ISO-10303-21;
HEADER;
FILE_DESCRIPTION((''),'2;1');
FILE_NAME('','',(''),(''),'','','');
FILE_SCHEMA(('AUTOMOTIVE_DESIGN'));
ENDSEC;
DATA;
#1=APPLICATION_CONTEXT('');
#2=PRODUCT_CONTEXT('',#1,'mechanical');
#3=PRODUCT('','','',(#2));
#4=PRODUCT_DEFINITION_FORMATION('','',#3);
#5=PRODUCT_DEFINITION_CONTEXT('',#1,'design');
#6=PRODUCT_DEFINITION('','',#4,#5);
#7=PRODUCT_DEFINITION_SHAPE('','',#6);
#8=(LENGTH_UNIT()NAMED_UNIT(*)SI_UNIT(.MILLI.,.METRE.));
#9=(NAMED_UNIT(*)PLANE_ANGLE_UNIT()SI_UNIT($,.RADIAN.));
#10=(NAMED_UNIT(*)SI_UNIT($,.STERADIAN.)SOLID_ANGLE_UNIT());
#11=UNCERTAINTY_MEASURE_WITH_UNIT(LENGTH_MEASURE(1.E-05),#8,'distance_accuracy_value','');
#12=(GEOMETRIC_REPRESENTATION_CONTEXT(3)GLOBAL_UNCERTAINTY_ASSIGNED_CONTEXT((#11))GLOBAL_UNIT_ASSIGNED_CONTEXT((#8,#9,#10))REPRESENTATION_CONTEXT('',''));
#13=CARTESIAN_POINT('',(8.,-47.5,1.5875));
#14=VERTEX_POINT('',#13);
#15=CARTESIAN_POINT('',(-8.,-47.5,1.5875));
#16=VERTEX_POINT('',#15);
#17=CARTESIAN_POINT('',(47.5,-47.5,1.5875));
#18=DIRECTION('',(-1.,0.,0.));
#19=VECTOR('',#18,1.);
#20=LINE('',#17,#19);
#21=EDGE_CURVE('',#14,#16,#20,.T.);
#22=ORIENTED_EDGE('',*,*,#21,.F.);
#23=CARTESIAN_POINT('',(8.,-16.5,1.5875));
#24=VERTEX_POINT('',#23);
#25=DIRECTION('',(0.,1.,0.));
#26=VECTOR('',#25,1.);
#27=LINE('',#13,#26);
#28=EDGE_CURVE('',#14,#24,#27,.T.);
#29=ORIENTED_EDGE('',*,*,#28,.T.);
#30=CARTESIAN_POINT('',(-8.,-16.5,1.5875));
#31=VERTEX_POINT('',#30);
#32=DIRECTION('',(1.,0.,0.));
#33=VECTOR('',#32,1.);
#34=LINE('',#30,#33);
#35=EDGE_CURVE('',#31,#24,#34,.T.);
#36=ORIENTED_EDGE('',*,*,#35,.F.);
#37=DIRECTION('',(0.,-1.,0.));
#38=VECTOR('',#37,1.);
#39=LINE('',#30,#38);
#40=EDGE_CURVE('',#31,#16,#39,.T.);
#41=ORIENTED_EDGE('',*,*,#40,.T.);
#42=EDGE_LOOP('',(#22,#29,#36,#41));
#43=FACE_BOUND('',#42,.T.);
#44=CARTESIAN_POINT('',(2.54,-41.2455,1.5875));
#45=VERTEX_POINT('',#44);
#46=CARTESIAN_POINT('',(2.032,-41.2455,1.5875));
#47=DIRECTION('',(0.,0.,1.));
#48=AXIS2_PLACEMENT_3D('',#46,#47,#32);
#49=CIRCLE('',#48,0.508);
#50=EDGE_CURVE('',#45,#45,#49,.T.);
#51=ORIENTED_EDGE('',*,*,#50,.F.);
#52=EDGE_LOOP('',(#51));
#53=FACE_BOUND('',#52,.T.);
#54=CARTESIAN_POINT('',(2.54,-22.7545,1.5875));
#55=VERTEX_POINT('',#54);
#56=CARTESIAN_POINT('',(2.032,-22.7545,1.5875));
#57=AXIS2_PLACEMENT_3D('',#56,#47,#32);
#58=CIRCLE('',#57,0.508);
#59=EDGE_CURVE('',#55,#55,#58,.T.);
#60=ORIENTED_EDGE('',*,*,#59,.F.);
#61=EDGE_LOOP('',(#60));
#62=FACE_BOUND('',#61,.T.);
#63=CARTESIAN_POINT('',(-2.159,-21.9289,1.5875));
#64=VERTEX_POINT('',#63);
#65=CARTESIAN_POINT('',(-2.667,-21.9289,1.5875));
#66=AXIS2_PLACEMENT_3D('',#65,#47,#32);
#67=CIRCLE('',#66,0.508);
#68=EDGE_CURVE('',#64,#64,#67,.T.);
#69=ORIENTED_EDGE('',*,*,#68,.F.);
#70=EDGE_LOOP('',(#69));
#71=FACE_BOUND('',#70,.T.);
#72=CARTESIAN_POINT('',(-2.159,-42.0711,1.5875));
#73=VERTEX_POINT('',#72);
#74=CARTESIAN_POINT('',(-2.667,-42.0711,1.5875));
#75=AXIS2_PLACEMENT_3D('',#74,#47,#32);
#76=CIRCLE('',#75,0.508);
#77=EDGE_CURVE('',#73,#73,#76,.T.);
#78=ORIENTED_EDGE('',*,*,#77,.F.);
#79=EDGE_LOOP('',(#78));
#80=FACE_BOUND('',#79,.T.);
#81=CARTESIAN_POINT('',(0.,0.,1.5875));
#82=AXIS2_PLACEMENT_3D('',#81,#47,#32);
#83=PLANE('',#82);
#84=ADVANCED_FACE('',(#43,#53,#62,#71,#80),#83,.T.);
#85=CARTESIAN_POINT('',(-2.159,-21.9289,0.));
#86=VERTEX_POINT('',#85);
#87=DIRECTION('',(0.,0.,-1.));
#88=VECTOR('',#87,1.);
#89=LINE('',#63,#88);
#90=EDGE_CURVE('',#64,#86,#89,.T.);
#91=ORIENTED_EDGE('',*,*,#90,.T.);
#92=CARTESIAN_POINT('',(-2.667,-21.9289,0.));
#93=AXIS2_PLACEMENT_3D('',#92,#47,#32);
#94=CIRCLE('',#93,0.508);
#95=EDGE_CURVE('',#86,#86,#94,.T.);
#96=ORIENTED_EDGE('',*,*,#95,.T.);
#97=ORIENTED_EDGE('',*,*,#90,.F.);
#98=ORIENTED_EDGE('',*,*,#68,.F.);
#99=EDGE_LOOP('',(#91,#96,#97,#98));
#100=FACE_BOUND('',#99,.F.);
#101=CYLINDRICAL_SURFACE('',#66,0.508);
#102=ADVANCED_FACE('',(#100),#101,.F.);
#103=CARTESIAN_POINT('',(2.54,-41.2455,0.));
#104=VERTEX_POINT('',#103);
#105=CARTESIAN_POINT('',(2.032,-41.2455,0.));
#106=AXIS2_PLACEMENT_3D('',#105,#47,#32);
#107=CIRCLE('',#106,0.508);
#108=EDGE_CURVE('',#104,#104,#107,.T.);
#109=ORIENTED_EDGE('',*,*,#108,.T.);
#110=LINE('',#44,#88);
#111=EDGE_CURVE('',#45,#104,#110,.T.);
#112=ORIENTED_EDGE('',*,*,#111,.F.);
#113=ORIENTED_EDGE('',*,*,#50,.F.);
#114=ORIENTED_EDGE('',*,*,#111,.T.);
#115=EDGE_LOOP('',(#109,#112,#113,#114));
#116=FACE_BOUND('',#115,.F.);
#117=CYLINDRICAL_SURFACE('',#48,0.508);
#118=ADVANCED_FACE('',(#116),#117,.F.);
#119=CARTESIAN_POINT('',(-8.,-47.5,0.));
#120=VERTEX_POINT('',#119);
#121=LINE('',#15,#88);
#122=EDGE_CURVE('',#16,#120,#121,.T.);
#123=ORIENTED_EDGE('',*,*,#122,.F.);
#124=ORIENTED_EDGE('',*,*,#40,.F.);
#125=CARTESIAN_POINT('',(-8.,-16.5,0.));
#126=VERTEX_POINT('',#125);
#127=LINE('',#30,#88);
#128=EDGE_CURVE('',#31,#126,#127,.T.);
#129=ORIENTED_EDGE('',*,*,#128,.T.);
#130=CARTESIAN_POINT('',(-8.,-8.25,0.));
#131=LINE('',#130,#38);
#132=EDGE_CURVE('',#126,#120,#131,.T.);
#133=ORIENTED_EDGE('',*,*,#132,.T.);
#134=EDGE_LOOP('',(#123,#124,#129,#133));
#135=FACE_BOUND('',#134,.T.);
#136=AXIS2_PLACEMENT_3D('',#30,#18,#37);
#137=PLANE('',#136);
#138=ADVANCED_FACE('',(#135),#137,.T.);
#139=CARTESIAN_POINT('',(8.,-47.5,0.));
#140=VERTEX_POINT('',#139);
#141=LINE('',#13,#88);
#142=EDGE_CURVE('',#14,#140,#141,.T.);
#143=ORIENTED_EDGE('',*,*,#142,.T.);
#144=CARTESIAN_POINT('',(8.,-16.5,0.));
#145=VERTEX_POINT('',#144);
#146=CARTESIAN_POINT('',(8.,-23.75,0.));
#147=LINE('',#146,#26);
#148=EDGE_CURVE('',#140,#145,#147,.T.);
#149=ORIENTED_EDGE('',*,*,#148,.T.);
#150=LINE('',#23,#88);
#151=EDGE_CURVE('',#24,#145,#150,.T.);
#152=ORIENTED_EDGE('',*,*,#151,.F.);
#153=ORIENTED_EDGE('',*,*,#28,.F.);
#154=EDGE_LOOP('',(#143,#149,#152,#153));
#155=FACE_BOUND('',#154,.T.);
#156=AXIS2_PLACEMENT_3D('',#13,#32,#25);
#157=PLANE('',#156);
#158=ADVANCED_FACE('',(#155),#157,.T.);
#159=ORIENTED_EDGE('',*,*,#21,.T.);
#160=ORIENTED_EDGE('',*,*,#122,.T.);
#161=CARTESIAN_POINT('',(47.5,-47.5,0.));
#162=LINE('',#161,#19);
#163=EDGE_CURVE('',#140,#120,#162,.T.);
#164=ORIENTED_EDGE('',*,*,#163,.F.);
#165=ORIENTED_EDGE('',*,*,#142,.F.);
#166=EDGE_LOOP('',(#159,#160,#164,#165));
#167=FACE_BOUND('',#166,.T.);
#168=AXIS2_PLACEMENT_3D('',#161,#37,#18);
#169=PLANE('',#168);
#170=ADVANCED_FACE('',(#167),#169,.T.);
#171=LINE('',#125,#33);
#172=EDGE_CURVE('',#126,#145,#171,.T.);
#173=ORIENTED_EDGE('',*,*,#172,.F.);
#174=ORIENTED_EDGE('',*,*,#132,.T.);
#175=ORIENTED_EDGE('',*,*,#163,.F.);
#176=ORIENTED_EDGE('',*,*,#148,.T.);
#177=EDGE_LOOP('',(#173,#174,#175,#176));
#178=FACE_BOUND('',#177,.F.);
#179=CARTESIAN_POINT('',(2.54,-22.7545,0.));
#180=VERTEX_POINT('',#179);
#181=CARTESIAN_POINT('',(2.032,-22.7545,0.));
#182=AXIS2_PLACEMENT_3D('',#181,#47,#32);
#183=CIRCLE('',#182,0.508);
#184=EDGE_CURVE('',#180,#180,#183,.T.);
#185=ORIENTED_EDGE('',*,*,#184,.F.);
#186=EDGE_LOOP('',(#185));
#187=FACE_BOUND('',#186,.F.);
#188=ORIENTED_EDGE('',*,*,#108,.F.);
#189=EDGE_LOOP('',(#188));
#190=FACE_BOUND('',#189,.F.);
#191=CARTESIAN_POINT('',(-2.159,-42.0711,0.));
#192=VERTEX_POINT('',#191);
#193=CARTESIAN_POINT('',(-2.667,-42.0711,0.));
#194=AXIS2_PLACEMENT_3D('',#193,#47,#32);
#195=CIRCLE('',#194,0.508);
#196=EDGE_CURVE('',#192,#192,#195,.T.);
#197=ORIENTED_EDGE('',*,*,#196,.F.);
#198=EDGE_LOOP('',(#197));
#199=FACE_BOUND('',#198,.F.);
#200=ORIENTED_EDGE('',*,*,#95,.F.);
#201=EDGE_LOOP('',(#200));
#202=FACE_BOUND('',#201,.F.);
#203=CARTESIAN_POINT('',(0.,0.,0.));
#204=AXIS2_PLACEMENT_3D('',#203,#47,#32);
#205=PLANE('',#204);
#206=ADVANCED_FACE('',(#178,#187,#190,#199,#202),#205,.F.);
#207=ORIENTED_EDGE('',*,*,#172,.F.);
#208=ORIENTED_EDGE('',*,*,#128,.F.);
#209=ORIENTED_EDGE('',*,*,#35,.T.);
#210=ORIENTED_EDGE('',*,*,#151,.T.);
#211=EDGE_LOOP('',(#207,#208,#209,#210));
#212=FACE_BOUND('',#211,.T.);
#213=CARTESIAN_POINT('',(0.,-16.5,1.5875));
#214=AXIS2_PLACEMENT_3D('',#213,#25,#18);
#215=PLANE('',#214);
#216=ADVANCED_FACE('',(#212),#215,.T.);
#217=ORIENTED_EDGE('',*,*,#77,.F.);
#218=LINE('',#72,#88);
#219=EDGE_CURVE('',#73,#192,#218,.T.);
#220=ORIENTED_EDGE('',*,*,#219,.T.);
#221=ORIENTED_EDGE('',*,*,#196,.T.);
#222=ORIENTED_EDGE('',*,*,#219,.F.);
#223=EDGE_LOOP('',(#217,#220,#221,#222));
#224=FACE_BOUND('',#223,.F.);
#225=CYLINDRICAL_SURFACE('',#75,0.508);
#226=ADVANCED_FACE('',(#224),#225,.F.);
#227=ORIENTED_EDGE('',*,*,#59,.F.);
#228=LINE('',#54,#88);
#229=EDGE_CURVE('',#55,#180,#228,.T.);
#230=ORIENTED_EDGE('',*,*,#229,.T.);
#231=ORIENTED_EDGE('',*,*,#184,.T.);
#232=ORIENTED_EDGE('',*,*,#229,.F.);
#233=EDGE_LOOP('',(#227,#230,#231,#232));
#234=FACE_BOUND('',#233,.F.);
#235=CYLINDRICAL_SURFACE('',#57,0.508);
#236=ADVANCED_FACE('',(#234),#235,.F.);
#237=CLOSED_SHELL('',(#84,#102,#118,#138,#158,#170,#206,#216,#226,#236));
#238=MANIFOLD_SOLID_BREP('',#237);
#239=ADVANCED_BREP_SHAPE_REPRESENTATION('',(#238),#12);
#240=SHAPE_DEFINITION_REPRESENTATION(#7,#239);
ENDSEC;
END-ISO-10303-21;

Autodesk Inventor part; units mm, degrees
sketch "AL_spacer_contact_Zminus" plane through (0, 0, 0) normal (0, 0, 1) x (1, 0, 0)
  circle A0 centre (39.5, 39.5) radius 3.175
  circle A1 centre (39.5, -39.5) radius 3.175
  circle A2 centre (-39.5, -39.5) radius 3.175
  circle A3 centre (-39.5, 39.5) radius 3.175
  point P0 (0, 0)
  dimension "d228" = 39.5
  dimension "d229" = 39.5
  dimension "d230" = 39.5
  dimension "d231" = 39.5
  dimension "d232" = 39.5
  dimension "d233" = 39.5
  dimension "d234" = 39.5
  dimension "d235" = 39.5
  dimension "d236" = 6.35
sketch "Delrin_stayout_Zminus" plane through (0, 0, 0) normal (0, 0, 1) x (1, 0, 0)
  line L0 (47.5, 39.5) -> (47.5, 31)
  line L1 (47.5, 31) -> (39.5, 31)
  line L2 (39.5, 31) -> (31, 39.5)
  line L3 (31, 39.5) -> (31, 47.5)
  line L4 (31, 47.5) -> (39.5, 47.5)
  line L5 (39.5, 47.5) -> (47.5, 39.5)
  line L6 (-39.5, 47.5) -> (-47.5, 39.5)
  line L7 (-47.5, 39.5) -> (-47.5, 31)
  line L8 (-47.5, 31) -> (-39.5, 31)
  line L9 (-39.5, 31) -> (-31, 39.5)
  line L10 (-31, 39.5) -> (-31, 47.5)
  line L11 (-31, 47.5) -> (-39.5, 47.5)
  line L12 (47.5, -39.5) -> (39.5, -47.5)
  line L13 (39.5, -47.5) -> (31, -47.5)
  line L14 (31, -47.5) -> (31, -39.5)
  line L15 (31, -39.5) -> (39.5, -31)
  line L16 (39.5, -31) -> (47.5, -31)
  line L17 (47.5, -31) -> (47.5, -39.5)
  line L18 (-39.5, -47.5) -> (-47.5, -39.5)
  line L19 (-47.5, -39.5) -> (-47.5, -31)
  line L20 (-47.5, -31) -> (-39.5, -31)
  line L21 (-39.5, -31) -> (-31, -39.5)
  line L22 (-31, -39.5) -> (-31, -47.5)
  line L23 (-31, -47.5) -> (-39.5, -47.5)
  point P0 (0, 0)
  dimension "d243" = 16.5
  dimension "d244" = 8
  dimension "d245" = 8.5
  dimension "d246" = 16.5
  dimension "d247" = 47.5
  dimension "d248" = 47.5
  dimension "d249" = 47.5
  dimension "d250" = 47.5
  dimension "d251" = 47.5
  dimension "d252" = 47.5
  dimension "d253" = 47.5
  dimension "d254" = 47.5
sketch "Nub_stayout_Zminus" plane through (0, 0, 0) normal (0, 0, 1) x (1, 0, 0)
  line L0 (29, 47.5) -> (39.5, 47.5)
  line L1 (39.5, 47.5) -> (47.5, 39.5)
  line L2 (47.5, 39.5) -> (47.5, 29)
  line L3 (47.5, 29) -> (42, 29)
  line L4 (42, 29) -> (42, 40.4125)
  line L5 (40.4125, 42) -> (29, 42)
  line L6 (29, 42) -> (29, 47.5)
  arc A0 (42, 40.4125) -> (40.4125, 42) centre (40.4125, 40.4125) ccw
  line L7 (-29, 47.5) -> (-39.5, 47.5)
  line L8 (-39.5, 47.5) -> (-47.5, 39.5)
  line L9 (-47.5, 39.5) -> (-47.5, 29)
  line L10 (-47.5, 29) -> (-42, 29)
  line L11 (-42, 29) -> (-42, 40.4125)
  line L12 (-40.4125, 42) -> (-29, 42)
  line L13 (-29, 42) -> (-29, 47.5)
  arc A1 (-40.4125, 42) -> (-42, 40.4125) centre (-40.4125, 40.4125) ccw
  line L14 (-47.5, -29) -> (-42, -29)
  line L15 (-42, -29) -> (-42, -40.4125)
  line L16 (-40.4125, -42) -> (-29, -42)
  line L17 (-29, -42) -> (-29, -47.5)
  line L18 (-29, -47.5) -> (-39.5, -47.5)
  line L19 (-39.5, -47.5) -> (-47.5, -39.5)
  line L20 (-47.5, -39.5) -> (-47.5, -29)
  arc A2 (-42, -40.4125) -> (-40.4125, -42) centre (-40.4125, -40.4125) ccw
  line L21 (47.5, -29) -> (42, -29)
  line L22 (42, -29) -> (42, -40.4125)
  line L23 (40.4125, -42) -> (29, -42)
  line L24 (29, -42) -> (29, -47.5)
  line L25 (29, -47.5) -> (39.5, -47.5)
  line L26 (39.5, -47.5) -> (47.5, -39.5)
  line L27 (47.5, -39.5) -> (47.5, -29)
  arc A3 (40.4125, -42) -> (42, -40.4125) centre (40.4125, -40.4125) ccw
  point P0 (0, 0)
  dimension "d255" = 1.5875
  dimension "d256" = 18.5
  dimension "d257" = 8
  dimension "d258" = 5.5
  dimension "d259" = 47.5
  dimension "d260" = 47.5
  dimension "d264" = 1.5875
  dimension "d265" = 47.5
  dimension "d266" = 47.5
  dimension "d267" = 1.5875
  dimension "d268" = 47.5
  dimension "d269" = 47.5
  dimension "d270" = 1.5875
  dimension "d271" = 47.5
  dimension "d272" = 47.5
ref_plane "Zplus_face" through (0, 0, 1.5875) normal (0, 0, 1) x (1, 0, 0)
sketch "AL_spacer_contact_Zplus" plane through (0, 0, 1.5875) normal (0, 0, 1) x (1, 0, 0)
  circle A0 centre (-39.5, 39.5) radius 3.175
  circle A1 centre (-39.5, -39.5) radius 3.175
  circle A2 centre (39.5, -39.5) radius 3.175
  circle A3 centre (39.5, 39.5) radius 3.175
  point P0 (0, 0)
  dimension "d129" = 39.5
  dimension "d130" = 39.5
  dimension "d131" = 39.5
  dimension "d132" = 39.5
  dimension "d133" = 6.35
sketch "Delrin_stayout_Zplus" plane through (0, 0, 1.5875) normal (0, 0, 1) x (1, 0, 0)
  line L0 (47.5, -31) -> (47.5, -39.5)
  line L1 (47.5, -39.5) -> (39.5, -47.5)
  line L2 (39.5, -47.5) -> (31, -47.5)
  line L3 (31, -47.5) -> (31, -39.5)
  line L4 (31, -39.5) -> (39.5, -31)
  line L5 (39.5, -31) -> (47.5, -31)
  line L6 (47.5, 31) -> (47.5, 39.5)
  line L7 (47.5, 39.5) -> (39.5, 47.5)
  line L8 (39.5, 47.5) -> (31, 47.5)
  line L9 (31, 47.5) -> (31, 39.5)
  line L10 (31, 39.5) -> (39.5, 31)
  line L11 (39.5, 31) -> (47.5, 31)
  line L12 (-39.5, 47.5) -> (-47.5, 39.5)
  line L13 (-47.5, 39.5) -> (-47.5, 31)
  line L14 (-47.5, 31) -> (-39.5, 31)
  line L15 (-39.5, 31) -> (-31, 39.5)
  line L16 (-31, 39.5) -> (-31, 47.5)
  line L17 (-31, 47.5) -> (-39.5, 47.5)
  line L18 (-47.5, -39.5) -> (-39.5, -47.5)
  line L19 (-39.5, -47.5) -> (-31, -47.5)
  line L20 (-31, -47.5) -> (-31, -39.5)
  line L21 (-31, -39.5) -> (-39.5, -31)
  line L22 (-39.5, -31) -> (-47.5, -31)
  line L23 (-47.5, -31) -> (-47.5, -39.5)
  point P0 (0, 0)
  dimension "d115" = 16.5
  dimension "d116" = 16.5
  dimension "d117" = 8
  dimension "d118" = 8.5
  dimension "d121" = 47.5
  dimension "d122" = 47.5
  dimension "d123" = 47.5
  dimension "d124" = 47.5
  dimension "d125" = 47.5
  dimension "d126" = 47.5
  dimension "d127" = 47.5
  dimension "d128" = 47.5
sketch "Nub_stayout_Zplus" plane through (0, 0, 1.5875) normal (0, 0, 1) x (1, 0, 0)
  line L0 (47.5, 29) -> (42, 29)
  line L1 (42, 29) -> (42, 40.4125)
  line L2 (40.4125, 42) -> (29, 42)
  line L3 (29, 42) -> (29, 47.5)
  arc A0 (42, 40.4125) -> (40.4125, 42) centre (40.4125, 40.4125) ccw
  line L4 (29, 47.5) -> (39.5, 47.5)
  line L5 (39.5, 47.5) -> (47.5, 39.5)
  line L6 (47.5, 39.5) -> (47.5, 29)
  line L7 (-39.5, 47.5) -> (-29, 47.5)
  line L8 (-29, 47.5) -> (-29, 42)
  line L9 (-29, 42) -> (-40.4125, 42)
  line L10 (-42, 40.4125) -> (-42, 29)
  line L11 (-42, 29) -> (-47.5, 29)
  line L12 (-47.5, 29) -> (-47.5, 39.5)
  line L13 (-47.5, 39.5) -> (-39.5, 47.5)
  arc A1 (-40.4125, 42) -> (-42, 40.4125) centre (-40.4125, 40.4125) ccw
  line L14 (-47.5, -29) -> (-47.5, -39.5)
  line L15 (-47.5, -39.5) -> (-39.5, -47.5)
  line L16 (-39.5, -47.5) -> (-29, -47.5)
  line L17 (-29, -47.5) -> (-29, -42)
  line L18 (-29, -42) -> (-40.4125, -42)
  line L19 (-42, -40.4125) -> (-42, -29)
  line L20 (-42, -29) -> (-47.5, -29)
  arc A2 (-42, -40.4125) -> (-40.4125, -42) centre (-40.4125, -40.4125) ccw
  line L21 (29, -47.5) -> (39.5, -47.5)
  line L22 (39.5, -47.5) -> (47.5, -39.5)
  line L23 (47.5, -39.5) -> (47.5, -29)
  line L24 (47.5, -29) -> (42, -29)
  line L25 (42, -29) -> (42, -40.4125)
  line L26 (40.4125, -42) -> (29, -42)
  line L27 (29, -42) -> (29, -47.5)
  arc A3 (40.4125, -42) -> (42, -40.4125) centre (40.4125, -40.4125) ccw
  point P0 (0, 0)
  dimension "d146" = 1.5875
  dimension "d147" = 5.5
  dimension "d149" = 18.5
  dimension "d150" = 8
  dimension "d151" = 47.5
  dimension "d152" = 47.5
  dimension "d153" = 1.5875
  dimension "d154" = 47.5
  dimension "d155" = 47.5
  dimension "d156" = 1.5875
  dimension "d157" = 47.5
  dimension "d158" = 47.5
  dimension "d159" = 1.5875
  dimension "d160" = 47.5
  dimension "d161" = 47.5
sketch "Sketch1" plane through (0, 0, 0) normal (0, 0, 1) x (1, 0, 0)
  line L0 (-47.5, 47.5) -> (47.5, 47.5)
  line L1 (47.5, 47.5) -> (47.5, -47.5)
  line L2 (47.5, -47.5) -> (-47.5, -47.5)
  line L3 (-47.5, -47.5) -> (-47.5, 47.5)
  point P0 (0, 0)
  dimension "d0" = 95
  dimension "d1" = 95
  dimension "d2" = 47.5
  dimension "d3" = 47.5
extrude "Extrusion1" add sketch "Sketch1" along normal blind 1.5875
chamfer "Chamfer2" distance 11 angle 45 4 edges at (-47.5, -47.5, 0.7937) (47.5, -47.5, 0.7937) (47.5, 47.5, 0.7937) (-47.5, 47.5, 0.7937)
ref_plane "Work Plane_ConnX" through (-32, 0, 0) normal (1, 0, 0) x (0, 1, 0)
ref_plane "Work Plane_ConnY" through (0, 0, 0) normal (0, 1, 0) x (-1, 0, 0)
sketch "Sketch9" plane through (0, 0, 1.5875) normal (0, 0, 1) x (1, 0, 0)
  line L0 (47.5, 47.5) -> (47.5, -47.5) projected
  line L1 (58.5598, -32) -> (-58.5598, -32)
  circle A0 centre (-2.667, -21.9289) radius 0.508
  circle A1 centre (-2.667, -42.0711) radius 0.508
  line L2 (0, 26.5598) -> (0, -90.5598) construction
  point P0 (0, 0)
  point P1 (0, -32)
  dimension "d134" = 20.1422
  dimension "d136" = 2.667
  dimension "d138" = 1.016
  dimension "d141" = 180
  dimension "d350" = 32
  dimension "d351" = 0
extrude "Holes_Conn_Zminus" cut sketch "Sketch9" against normal through all
sketch "Sketch22" plane through (0, 0, 1.5875) normal (0, 0, 1) x (1, 0, 0)
  line L0 (47.5, 36.5) -> (47.5, -36.5) projected
  line L1 (0, -1.0026) -> (0, -62.9974) construction
  line L2 (62.8115, -32) -> (-62.8115, -32)
  circle A0 centre (2.032, -22.7545) radius 0.508
  circle A1 centre (2.032, -41.2455) radius 0.508
  point P0 (0, 0)
  point P1 (0, -32)
  dimension "d282" = 180
  dimension "d283" = 18.491
  dimension "d284" = 1.016
  dimension "d285" = 2.032
  dimension "d352" = 32
  dimension "d353" = 0
extrude "Holes_Conn_Zplus" cut sketch "Sketch22" against normal through all
hole "Hole5" at (39.5, 39.5, 1.5875) direction (0, 0, -1) diameter 3.2 end through all
mirror "Mirror5" about plane through (0, 0, 0) normal (1, 0, 0) of "Hole5"
mirror "Mirror6" about plane through (0, 0, 0) normal (0, 1, 0) of "Hole5", "Mirror5"
sketch "Sketch25" plane through (0, 0, 1.5875) normal (0, 0, 1) x (1, 0, 0)
  circle A0 centre (-39.5, -39.5) radius 1.6 projected
  circle A1 centre (39.5, -39.5) radius 1.6 projected
  circle A2 centre (-39.5, 39.5) radius 1.6 projected
  circle A3 centre (39.5, 39.5) radius 1.6 projected
  line L0 (36.5, -47.5) -> (-36.5, -47.5) projected
  line L1 (0, 0) -> (0, -59.2198)
  line L2 (8, -47.5) -> (8, -16.5)
  line L3 (8, -16.5) -> (-8, -16.5)
  line L4 (-8, -16.5) -> (-8, -47.5)
  line L5 (-8, -47.5) -> (-62.7516, -61.7336)
  line L6 (-62.7516, -61.7336) -> (-64.2933, 68.2222)
  line L7 (-64.2933, 68.2222) -> (58.3572, 62.5728)
  line L8 (58.3572, 62.5728) -> (56.5848, -69.017)
  line L9 (56.5848, -69.017) -> (8, -47.5)
  dimension "d362" = 16
  dimension "d363" = 31
extrude "Extrusion9" cut sketch "Sketch25" against normal through all contours L2 L3 L4 L5 L6 L7 L8 L9
sketch "Sketch26" plane through (0, 0, 1.5875) normal (0, 0, 1) x (1, 0, 0)
  line L0 (-8, -16.5) -> (-8, -47.5) projected
  line L1 (8, -47.5) -> (-8, -47.5) projected
  line L2 (8, -47.5) -> (8, -16.5) projected
  line L3 (8, -16.5) -> (-8, -16.5) projected
  line L4 (-8.0058, -16.503) -> (8, -16.5) construction
  line L5 (8, -16.5) -> (8.0058, -47.497) construction
  line L6 (8.0058, -47.497) -> (-8, -47.5) construction
  line L7 (-8, -47.5) -> (-8.0058, -16.503) construction
  point P0 (0, 0)
decal "Decal1"
sketch "Sketch27" plane through (0, 0, 0) normal (0, 0, -1) x (-1, 0, 0)
  line L0 (8, -47.5) -> (8, -16.5) projected
  line L1 (8, -16.5) -> (-8, -16.5) projected
  line L2 (-8, -16.5) -> (-8, -47.5) projected
  line L3 (-8, -47.5) -> (8, -47.5) projected
  line L4 (-8.0058, -16.503) -> (8, -16.5) construction
  line L5 (8, -16.5) -> (8.0058, -47.497) construction
  line L6 (8.0058, -47.497) -> (-8, -47.5) construction
  line L7 (-8, -47.5) -> (-8.0058, -16.503) construction
  point P0 (0, 0)
decal "Decal2"
properties part number "PCB_Batt2" material "FR4"
